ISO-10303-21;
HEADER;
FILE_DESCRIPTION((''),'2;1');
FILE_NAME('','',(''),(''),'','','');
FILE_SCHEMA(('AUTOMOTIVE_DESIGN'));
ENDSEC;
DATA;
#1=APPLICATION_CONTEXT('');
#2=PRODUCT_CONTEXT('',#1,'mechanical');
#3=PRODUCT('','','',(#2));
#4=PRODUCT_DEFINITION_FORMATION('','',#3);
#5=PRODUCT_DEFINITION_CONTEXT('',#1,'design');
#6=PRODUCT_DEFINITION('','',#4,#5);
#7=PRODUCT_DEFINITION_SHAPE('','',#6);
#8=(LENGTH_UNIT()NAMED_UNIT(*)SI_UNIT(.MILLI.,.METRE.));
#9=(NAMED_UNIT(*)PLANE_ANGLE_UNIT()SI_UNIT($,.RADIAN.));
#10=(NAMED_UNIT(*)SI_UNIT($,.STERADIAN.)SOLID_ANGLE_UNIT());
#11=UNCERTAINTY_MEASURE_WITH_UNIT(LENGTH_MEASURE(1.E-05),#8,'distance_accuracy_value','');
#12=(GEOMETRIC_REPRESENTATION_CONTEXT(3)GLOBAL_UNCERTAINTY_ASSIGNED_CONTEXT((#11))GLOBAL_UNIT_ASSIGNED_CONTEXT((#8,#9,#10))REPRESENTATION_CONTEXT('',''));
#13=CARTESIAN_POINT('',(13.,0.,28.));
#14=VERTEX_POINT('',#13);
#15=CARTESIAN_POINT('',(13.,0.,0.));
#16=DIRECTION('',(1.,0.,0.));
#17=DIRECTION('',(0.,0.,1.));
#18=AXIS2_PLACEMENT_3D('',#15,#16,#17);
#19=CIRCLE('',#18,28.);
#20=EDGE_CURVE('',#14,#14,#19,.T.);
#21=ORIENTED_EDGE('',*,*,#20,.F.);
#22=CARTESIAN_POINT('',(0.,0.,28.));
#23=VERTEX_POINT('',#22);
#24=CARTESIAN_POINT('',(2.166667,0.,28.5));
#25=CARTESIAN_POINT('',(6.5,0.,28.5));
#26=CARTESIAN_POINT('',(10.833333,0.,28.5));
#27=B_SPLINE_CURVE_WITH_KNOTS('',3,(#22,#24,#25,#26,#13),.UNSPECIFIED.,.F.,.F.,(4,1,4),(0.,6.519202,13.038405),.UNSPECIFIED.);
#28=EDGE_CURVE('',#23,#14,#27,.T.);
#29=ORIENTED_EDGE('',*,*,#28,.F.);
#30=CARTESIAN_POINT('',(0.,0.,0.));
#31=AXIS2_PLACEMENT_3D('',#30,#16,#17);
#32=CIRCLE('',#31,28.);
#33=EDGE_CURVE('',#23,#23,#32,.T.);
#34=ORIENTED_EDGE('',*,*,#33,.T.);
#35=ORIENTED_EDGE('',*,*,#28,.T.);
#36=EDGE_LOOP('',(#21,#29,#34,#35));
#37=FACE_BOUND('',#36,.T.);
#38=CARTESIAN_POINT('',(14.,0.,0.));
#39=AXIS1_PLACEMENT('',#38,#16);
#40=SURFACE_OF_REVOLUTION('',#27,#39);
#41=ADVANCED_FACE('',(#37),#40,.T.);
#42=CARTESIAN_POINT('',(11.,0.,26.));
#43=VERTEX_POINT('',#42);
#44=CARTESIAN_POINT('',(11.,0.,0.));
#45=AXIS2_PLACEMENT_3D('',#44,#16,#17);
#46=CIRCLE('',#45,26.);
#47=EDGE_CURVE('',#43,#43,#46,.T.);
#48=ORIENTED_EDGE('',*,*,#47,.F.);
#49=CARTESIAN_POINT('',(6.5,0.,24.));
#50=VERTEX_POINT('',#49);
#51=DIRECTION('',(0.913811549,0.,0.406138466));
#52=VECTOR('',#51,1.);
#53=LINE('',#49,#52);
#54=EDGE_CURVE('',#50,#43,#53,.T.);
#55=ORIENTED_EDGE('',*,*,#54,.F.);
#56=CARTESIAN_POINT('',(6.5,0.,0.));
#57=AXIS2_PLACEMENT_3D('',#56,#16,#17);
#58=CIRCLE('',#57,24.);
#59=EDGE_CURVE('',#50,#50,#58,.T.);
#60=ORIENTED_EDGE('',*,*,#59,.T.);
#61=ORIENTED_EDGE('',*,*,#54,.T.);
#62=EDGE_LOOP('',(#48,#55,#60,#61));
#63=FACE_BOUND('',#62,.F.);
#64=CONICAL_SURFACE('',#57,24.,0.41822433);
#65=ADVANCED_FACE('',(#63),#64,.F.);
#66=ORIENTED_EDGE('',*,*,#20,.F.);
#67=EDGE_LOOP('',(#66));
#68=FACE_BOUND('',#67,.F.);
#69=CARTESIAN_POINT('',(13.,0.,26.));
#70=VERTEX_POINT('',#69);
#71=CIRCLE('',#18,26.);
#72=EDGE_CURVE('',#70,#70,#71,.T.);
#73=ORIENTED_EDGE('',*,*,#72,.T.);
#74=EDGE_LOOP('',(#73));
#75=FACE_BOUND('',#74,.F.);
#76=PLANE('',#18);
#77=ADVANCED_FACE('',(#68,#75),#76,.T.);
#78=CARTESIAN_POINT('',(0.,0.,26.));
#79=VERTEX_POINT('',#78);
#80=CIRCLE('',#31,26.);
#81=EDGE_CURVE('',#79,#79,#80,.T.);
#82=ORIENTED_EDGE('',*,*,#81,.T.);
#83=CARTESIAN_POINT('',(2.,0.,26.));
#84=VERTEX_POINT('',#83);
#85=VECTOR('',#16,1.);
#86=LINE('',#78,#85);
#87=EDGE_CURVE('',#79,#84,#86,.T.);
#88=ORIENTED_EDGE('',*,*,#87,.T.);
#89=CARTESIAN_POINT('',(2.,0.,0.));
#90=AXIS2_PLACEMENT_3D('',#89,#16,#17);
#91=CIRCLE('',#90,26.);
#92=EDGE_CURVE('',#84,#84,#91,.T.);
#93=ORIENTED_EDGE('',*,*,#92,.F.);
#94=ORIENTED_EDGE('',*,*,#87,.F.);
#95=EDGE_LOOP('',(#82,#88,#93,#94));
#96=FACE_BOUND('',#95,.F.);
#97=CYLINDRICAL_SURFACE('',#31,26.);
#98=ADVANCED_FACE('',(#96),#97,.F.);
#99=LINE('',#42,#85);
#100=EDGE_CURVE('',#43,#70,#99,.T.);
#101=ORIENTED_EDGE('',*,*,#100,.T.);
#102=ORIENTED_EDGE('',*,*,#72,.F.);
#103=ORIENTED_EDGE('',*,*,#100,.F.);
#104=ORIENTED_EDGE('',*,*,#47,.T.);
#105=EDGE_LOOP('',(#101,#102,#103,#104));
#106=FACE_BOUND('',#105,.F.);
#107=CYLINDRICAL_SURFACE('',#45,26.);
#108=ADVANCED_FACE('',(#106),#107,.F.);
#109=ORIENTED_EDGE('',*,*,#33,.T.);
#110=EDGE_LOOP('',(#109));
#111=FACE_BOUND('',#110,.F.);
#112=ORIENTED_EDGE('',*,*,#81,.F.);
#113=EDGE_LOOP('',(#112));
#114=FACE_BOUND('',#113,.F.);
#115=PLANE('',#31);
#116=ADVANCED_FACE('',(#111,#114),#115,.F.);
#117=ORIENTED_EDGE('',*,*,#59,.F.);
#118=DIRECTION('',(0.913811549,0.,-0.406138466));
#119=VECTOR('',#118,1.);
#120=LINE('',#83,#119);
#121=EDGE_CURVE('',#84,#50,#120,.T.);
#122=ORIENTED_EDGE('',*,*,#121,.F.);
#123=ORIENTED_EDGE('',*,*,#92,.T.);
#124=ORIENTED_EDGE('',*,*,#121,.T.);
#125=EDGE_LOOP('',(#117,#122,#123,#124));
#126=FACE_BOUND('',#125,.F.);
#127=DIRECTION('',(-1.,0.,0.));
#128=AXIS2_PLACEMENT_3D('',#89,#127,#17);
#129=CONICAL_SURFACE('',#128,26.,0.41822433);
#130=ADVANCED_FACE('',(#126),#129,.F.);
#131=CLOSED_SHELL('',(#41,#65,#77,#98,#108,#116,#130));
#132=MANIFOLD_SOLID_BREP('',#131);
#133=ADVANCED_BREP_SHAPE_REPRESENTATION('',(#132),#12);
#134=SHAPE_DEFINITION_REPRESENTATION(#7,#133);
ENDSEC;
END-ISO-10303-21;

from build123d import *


with BuildPart() as f2:
    # F1 (on Front) → F2 (revolve)
    with BuildSketch(Plane.XZ):
        with BuildLine():
            Line((0, 28), (0, 26))
            Line((0, 26), (2, 26))
            Line((2, 26), (6.5, 24))
            Line((6.5, 24), (11, 26))
            Line((11, 26), (13, 26))
            Line((13, 26), (13, 28))
            add(Edge.make_bspline(
                [(0, 28), (2.166667, 28.5), (6.5, 28.5), (10.833333, 28.5), (13, 28)],
                knots=[0, 0, 0, 0, 6.519202, 13.038405, 13.038405, 13.038405, 13.038405], degree=3))
        make_face()
    revolve(axis=Axis((14, 0, 0), (1, 0, 0)))


solid = f2.part
